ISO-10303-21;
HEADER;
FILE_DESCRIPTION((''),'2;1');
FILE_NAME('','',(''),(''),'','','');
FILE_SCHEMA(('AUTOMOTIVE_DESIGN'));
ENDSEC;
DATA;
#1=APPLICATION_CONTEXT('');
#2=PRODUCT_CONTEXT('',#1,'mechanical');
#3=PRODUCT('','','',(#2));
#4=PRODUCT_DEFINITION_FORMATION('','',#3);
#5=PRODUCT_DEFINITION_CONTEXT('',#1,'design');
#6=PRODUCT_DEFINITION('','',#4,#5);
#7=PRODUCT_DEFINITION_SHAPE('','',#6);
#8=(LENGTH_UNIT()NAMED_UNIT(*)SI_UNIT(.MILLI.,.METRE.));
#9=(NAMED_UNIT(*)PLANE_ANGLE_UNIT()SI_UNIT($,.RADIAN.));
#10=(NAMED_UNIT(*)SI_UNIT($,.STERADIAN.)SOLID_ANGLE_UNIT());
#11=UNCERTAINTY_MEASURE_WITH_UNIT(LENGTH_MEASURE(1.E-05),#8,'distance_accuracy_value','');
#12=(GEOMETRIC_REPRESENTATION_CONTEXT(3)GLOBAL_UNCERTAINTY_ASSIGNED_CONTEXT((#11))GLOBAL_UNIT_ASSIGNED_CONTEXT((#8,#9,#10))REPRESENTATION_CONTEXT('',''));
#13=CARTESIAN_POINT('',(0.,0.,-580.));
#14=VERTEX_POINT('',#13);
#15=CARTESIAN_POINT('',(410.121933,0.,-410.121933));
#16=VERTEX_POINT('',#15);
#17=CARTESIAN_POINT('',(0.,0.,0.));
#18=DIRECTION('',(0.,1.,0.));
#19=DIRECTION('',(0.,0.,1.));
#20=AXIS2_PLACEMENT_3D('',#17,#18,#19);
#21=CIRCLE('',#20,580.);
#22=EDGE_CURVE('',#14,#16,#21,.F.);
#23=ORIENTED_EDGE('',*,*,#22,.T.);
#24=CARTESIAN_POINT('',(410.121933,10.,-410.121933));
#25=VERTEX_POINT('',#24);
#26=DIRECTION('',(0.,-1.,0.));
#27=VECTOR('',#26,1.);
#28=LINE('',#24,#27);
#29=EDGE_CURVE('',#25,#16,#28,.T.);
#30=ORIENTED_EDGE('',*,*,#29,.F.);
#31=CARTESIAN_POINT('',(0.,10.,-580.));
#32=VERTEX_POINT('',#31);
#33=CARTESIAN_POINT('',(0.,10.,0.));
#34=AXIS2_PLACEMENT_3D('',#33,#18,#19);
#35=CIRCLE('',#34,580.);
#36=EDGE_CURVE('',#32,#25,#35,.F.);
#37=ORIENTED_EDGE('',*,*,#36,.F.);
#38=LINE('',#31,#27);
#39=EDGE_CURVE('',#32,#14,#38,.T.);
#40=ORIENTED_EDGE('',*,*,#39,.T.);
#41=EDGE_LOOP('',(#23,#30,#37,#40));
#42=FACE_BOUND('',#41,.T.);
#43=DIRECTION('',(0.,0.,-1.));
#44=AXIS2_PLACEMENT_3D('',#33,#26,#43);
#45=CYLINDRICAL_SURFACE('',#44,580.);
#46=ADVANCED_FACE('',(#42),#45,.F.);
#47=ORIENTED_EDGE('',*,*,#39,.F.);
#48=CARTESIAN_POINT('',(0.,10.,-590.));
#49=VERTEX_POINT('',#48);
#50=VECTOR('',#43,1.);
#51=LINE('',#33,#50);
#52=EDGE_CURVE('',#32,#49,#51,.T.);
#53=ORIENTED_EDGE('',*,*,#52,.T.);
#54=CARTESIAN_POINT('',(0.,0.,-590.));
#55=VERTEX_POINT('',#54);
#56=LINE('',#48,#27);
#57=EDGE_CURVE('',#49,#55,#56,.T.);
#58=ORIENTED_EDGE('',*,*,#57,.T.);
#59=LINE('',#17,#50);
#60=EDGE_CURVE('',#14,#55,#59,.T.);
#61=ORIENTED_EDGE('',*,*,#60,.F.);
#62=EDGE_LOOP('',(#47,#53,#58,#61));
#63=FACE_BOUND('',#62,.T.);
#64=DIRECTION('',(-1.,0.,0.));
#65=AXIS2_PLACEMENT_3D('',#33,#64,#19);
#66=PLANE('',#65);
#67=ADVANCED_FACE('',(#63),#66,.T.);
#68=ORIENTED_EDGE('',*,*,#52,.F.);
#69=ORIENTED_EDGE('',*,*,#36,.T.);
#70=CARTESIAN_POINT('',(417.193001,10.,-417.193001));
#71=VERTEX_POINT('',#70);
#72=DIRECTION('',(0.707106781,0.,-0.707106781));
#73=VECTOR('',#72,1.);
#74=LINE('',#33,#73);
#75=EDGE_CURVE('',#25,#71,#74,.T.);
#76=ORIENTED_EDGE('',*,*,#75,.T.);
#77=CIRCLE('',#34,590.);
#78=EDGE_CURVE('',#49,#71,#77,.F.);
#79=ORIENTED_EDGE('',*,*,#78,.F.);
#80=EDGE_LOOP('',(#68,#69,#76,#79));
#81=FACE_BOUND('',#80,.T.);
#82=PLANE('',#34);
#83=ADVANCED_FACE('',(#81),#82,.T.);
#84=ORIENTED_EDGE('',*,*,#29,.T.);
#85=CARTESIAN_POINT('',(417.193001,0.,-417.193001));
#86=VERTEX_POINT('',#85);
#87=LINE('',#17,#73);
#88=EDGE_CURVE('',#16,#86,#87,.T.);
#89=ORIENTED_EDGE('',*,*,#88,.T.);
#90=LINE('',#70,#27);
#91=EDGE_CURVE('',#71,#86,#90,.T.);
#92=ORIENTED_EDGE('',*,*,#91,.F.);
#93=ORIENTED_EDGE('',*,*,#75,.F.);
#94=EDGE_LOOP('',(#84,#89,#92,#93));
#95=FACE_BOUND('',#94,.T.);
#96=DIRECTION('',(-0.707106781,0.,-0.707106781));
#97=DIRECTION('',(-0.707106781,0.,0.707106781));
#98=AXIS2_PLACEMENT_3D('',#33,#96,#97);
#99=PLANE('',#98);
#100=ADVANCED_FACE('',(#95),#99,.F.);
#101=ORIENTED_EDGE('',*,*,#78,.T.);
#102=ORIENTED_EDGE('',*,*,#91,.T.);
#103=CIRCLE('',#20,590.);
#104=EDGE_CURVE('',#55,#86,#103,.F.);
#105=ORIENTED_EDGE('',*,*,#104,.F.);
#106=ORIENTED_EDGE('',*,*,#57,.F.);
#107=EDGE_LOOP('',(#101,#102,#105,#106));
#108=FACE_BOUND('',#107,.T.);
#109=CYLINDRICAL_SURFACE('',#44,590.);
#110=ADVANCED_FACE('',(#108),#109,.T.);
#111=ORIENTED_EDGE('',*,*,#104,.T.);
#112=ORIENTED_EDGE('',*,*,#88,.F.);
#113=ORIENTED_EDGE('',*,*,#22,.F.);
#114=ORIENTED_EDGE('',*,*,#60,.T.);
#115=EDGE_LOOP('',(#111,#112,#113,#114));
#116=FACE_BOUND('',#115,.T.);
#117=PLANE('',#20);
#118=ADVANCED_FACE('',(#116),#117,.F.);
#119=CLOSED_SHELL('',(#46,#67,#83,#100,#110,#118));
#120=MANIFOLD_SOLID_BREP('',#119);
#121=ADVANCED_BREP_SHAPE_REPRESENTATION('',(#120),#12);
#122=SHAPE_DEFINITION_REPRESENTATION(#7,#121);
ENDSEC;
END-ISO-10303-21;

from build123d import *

# Parameters (mm, degrees)
BOSS_EXTRUDE1_DEPTH = 10


with BuildPart() as part:
    # Sketch1 → Boss-Extrude1 (new body)
    with BuildSketch(Plane(origin=(0, 0, 0), x_dir=(1, 0, 0), z_dir=(0, 1, 0))):
        with BuildLine():
            ThreePointArc((0, 590), (225.783225095, 545.088924182), (417.1930009, 417.1930009))
            Line((417.1930009, 417.1930009), (410.121933088, 410.121933088))
            ThreePointArc((410.121933088, 410.121933088), (221.956390772, 535.850128857), (0, 580))
            Line((0, 580), (0, 590))
        make_face()
    extrude(amount=BOSS_EXTRUDE1_DEPTH)


solid = part.part
